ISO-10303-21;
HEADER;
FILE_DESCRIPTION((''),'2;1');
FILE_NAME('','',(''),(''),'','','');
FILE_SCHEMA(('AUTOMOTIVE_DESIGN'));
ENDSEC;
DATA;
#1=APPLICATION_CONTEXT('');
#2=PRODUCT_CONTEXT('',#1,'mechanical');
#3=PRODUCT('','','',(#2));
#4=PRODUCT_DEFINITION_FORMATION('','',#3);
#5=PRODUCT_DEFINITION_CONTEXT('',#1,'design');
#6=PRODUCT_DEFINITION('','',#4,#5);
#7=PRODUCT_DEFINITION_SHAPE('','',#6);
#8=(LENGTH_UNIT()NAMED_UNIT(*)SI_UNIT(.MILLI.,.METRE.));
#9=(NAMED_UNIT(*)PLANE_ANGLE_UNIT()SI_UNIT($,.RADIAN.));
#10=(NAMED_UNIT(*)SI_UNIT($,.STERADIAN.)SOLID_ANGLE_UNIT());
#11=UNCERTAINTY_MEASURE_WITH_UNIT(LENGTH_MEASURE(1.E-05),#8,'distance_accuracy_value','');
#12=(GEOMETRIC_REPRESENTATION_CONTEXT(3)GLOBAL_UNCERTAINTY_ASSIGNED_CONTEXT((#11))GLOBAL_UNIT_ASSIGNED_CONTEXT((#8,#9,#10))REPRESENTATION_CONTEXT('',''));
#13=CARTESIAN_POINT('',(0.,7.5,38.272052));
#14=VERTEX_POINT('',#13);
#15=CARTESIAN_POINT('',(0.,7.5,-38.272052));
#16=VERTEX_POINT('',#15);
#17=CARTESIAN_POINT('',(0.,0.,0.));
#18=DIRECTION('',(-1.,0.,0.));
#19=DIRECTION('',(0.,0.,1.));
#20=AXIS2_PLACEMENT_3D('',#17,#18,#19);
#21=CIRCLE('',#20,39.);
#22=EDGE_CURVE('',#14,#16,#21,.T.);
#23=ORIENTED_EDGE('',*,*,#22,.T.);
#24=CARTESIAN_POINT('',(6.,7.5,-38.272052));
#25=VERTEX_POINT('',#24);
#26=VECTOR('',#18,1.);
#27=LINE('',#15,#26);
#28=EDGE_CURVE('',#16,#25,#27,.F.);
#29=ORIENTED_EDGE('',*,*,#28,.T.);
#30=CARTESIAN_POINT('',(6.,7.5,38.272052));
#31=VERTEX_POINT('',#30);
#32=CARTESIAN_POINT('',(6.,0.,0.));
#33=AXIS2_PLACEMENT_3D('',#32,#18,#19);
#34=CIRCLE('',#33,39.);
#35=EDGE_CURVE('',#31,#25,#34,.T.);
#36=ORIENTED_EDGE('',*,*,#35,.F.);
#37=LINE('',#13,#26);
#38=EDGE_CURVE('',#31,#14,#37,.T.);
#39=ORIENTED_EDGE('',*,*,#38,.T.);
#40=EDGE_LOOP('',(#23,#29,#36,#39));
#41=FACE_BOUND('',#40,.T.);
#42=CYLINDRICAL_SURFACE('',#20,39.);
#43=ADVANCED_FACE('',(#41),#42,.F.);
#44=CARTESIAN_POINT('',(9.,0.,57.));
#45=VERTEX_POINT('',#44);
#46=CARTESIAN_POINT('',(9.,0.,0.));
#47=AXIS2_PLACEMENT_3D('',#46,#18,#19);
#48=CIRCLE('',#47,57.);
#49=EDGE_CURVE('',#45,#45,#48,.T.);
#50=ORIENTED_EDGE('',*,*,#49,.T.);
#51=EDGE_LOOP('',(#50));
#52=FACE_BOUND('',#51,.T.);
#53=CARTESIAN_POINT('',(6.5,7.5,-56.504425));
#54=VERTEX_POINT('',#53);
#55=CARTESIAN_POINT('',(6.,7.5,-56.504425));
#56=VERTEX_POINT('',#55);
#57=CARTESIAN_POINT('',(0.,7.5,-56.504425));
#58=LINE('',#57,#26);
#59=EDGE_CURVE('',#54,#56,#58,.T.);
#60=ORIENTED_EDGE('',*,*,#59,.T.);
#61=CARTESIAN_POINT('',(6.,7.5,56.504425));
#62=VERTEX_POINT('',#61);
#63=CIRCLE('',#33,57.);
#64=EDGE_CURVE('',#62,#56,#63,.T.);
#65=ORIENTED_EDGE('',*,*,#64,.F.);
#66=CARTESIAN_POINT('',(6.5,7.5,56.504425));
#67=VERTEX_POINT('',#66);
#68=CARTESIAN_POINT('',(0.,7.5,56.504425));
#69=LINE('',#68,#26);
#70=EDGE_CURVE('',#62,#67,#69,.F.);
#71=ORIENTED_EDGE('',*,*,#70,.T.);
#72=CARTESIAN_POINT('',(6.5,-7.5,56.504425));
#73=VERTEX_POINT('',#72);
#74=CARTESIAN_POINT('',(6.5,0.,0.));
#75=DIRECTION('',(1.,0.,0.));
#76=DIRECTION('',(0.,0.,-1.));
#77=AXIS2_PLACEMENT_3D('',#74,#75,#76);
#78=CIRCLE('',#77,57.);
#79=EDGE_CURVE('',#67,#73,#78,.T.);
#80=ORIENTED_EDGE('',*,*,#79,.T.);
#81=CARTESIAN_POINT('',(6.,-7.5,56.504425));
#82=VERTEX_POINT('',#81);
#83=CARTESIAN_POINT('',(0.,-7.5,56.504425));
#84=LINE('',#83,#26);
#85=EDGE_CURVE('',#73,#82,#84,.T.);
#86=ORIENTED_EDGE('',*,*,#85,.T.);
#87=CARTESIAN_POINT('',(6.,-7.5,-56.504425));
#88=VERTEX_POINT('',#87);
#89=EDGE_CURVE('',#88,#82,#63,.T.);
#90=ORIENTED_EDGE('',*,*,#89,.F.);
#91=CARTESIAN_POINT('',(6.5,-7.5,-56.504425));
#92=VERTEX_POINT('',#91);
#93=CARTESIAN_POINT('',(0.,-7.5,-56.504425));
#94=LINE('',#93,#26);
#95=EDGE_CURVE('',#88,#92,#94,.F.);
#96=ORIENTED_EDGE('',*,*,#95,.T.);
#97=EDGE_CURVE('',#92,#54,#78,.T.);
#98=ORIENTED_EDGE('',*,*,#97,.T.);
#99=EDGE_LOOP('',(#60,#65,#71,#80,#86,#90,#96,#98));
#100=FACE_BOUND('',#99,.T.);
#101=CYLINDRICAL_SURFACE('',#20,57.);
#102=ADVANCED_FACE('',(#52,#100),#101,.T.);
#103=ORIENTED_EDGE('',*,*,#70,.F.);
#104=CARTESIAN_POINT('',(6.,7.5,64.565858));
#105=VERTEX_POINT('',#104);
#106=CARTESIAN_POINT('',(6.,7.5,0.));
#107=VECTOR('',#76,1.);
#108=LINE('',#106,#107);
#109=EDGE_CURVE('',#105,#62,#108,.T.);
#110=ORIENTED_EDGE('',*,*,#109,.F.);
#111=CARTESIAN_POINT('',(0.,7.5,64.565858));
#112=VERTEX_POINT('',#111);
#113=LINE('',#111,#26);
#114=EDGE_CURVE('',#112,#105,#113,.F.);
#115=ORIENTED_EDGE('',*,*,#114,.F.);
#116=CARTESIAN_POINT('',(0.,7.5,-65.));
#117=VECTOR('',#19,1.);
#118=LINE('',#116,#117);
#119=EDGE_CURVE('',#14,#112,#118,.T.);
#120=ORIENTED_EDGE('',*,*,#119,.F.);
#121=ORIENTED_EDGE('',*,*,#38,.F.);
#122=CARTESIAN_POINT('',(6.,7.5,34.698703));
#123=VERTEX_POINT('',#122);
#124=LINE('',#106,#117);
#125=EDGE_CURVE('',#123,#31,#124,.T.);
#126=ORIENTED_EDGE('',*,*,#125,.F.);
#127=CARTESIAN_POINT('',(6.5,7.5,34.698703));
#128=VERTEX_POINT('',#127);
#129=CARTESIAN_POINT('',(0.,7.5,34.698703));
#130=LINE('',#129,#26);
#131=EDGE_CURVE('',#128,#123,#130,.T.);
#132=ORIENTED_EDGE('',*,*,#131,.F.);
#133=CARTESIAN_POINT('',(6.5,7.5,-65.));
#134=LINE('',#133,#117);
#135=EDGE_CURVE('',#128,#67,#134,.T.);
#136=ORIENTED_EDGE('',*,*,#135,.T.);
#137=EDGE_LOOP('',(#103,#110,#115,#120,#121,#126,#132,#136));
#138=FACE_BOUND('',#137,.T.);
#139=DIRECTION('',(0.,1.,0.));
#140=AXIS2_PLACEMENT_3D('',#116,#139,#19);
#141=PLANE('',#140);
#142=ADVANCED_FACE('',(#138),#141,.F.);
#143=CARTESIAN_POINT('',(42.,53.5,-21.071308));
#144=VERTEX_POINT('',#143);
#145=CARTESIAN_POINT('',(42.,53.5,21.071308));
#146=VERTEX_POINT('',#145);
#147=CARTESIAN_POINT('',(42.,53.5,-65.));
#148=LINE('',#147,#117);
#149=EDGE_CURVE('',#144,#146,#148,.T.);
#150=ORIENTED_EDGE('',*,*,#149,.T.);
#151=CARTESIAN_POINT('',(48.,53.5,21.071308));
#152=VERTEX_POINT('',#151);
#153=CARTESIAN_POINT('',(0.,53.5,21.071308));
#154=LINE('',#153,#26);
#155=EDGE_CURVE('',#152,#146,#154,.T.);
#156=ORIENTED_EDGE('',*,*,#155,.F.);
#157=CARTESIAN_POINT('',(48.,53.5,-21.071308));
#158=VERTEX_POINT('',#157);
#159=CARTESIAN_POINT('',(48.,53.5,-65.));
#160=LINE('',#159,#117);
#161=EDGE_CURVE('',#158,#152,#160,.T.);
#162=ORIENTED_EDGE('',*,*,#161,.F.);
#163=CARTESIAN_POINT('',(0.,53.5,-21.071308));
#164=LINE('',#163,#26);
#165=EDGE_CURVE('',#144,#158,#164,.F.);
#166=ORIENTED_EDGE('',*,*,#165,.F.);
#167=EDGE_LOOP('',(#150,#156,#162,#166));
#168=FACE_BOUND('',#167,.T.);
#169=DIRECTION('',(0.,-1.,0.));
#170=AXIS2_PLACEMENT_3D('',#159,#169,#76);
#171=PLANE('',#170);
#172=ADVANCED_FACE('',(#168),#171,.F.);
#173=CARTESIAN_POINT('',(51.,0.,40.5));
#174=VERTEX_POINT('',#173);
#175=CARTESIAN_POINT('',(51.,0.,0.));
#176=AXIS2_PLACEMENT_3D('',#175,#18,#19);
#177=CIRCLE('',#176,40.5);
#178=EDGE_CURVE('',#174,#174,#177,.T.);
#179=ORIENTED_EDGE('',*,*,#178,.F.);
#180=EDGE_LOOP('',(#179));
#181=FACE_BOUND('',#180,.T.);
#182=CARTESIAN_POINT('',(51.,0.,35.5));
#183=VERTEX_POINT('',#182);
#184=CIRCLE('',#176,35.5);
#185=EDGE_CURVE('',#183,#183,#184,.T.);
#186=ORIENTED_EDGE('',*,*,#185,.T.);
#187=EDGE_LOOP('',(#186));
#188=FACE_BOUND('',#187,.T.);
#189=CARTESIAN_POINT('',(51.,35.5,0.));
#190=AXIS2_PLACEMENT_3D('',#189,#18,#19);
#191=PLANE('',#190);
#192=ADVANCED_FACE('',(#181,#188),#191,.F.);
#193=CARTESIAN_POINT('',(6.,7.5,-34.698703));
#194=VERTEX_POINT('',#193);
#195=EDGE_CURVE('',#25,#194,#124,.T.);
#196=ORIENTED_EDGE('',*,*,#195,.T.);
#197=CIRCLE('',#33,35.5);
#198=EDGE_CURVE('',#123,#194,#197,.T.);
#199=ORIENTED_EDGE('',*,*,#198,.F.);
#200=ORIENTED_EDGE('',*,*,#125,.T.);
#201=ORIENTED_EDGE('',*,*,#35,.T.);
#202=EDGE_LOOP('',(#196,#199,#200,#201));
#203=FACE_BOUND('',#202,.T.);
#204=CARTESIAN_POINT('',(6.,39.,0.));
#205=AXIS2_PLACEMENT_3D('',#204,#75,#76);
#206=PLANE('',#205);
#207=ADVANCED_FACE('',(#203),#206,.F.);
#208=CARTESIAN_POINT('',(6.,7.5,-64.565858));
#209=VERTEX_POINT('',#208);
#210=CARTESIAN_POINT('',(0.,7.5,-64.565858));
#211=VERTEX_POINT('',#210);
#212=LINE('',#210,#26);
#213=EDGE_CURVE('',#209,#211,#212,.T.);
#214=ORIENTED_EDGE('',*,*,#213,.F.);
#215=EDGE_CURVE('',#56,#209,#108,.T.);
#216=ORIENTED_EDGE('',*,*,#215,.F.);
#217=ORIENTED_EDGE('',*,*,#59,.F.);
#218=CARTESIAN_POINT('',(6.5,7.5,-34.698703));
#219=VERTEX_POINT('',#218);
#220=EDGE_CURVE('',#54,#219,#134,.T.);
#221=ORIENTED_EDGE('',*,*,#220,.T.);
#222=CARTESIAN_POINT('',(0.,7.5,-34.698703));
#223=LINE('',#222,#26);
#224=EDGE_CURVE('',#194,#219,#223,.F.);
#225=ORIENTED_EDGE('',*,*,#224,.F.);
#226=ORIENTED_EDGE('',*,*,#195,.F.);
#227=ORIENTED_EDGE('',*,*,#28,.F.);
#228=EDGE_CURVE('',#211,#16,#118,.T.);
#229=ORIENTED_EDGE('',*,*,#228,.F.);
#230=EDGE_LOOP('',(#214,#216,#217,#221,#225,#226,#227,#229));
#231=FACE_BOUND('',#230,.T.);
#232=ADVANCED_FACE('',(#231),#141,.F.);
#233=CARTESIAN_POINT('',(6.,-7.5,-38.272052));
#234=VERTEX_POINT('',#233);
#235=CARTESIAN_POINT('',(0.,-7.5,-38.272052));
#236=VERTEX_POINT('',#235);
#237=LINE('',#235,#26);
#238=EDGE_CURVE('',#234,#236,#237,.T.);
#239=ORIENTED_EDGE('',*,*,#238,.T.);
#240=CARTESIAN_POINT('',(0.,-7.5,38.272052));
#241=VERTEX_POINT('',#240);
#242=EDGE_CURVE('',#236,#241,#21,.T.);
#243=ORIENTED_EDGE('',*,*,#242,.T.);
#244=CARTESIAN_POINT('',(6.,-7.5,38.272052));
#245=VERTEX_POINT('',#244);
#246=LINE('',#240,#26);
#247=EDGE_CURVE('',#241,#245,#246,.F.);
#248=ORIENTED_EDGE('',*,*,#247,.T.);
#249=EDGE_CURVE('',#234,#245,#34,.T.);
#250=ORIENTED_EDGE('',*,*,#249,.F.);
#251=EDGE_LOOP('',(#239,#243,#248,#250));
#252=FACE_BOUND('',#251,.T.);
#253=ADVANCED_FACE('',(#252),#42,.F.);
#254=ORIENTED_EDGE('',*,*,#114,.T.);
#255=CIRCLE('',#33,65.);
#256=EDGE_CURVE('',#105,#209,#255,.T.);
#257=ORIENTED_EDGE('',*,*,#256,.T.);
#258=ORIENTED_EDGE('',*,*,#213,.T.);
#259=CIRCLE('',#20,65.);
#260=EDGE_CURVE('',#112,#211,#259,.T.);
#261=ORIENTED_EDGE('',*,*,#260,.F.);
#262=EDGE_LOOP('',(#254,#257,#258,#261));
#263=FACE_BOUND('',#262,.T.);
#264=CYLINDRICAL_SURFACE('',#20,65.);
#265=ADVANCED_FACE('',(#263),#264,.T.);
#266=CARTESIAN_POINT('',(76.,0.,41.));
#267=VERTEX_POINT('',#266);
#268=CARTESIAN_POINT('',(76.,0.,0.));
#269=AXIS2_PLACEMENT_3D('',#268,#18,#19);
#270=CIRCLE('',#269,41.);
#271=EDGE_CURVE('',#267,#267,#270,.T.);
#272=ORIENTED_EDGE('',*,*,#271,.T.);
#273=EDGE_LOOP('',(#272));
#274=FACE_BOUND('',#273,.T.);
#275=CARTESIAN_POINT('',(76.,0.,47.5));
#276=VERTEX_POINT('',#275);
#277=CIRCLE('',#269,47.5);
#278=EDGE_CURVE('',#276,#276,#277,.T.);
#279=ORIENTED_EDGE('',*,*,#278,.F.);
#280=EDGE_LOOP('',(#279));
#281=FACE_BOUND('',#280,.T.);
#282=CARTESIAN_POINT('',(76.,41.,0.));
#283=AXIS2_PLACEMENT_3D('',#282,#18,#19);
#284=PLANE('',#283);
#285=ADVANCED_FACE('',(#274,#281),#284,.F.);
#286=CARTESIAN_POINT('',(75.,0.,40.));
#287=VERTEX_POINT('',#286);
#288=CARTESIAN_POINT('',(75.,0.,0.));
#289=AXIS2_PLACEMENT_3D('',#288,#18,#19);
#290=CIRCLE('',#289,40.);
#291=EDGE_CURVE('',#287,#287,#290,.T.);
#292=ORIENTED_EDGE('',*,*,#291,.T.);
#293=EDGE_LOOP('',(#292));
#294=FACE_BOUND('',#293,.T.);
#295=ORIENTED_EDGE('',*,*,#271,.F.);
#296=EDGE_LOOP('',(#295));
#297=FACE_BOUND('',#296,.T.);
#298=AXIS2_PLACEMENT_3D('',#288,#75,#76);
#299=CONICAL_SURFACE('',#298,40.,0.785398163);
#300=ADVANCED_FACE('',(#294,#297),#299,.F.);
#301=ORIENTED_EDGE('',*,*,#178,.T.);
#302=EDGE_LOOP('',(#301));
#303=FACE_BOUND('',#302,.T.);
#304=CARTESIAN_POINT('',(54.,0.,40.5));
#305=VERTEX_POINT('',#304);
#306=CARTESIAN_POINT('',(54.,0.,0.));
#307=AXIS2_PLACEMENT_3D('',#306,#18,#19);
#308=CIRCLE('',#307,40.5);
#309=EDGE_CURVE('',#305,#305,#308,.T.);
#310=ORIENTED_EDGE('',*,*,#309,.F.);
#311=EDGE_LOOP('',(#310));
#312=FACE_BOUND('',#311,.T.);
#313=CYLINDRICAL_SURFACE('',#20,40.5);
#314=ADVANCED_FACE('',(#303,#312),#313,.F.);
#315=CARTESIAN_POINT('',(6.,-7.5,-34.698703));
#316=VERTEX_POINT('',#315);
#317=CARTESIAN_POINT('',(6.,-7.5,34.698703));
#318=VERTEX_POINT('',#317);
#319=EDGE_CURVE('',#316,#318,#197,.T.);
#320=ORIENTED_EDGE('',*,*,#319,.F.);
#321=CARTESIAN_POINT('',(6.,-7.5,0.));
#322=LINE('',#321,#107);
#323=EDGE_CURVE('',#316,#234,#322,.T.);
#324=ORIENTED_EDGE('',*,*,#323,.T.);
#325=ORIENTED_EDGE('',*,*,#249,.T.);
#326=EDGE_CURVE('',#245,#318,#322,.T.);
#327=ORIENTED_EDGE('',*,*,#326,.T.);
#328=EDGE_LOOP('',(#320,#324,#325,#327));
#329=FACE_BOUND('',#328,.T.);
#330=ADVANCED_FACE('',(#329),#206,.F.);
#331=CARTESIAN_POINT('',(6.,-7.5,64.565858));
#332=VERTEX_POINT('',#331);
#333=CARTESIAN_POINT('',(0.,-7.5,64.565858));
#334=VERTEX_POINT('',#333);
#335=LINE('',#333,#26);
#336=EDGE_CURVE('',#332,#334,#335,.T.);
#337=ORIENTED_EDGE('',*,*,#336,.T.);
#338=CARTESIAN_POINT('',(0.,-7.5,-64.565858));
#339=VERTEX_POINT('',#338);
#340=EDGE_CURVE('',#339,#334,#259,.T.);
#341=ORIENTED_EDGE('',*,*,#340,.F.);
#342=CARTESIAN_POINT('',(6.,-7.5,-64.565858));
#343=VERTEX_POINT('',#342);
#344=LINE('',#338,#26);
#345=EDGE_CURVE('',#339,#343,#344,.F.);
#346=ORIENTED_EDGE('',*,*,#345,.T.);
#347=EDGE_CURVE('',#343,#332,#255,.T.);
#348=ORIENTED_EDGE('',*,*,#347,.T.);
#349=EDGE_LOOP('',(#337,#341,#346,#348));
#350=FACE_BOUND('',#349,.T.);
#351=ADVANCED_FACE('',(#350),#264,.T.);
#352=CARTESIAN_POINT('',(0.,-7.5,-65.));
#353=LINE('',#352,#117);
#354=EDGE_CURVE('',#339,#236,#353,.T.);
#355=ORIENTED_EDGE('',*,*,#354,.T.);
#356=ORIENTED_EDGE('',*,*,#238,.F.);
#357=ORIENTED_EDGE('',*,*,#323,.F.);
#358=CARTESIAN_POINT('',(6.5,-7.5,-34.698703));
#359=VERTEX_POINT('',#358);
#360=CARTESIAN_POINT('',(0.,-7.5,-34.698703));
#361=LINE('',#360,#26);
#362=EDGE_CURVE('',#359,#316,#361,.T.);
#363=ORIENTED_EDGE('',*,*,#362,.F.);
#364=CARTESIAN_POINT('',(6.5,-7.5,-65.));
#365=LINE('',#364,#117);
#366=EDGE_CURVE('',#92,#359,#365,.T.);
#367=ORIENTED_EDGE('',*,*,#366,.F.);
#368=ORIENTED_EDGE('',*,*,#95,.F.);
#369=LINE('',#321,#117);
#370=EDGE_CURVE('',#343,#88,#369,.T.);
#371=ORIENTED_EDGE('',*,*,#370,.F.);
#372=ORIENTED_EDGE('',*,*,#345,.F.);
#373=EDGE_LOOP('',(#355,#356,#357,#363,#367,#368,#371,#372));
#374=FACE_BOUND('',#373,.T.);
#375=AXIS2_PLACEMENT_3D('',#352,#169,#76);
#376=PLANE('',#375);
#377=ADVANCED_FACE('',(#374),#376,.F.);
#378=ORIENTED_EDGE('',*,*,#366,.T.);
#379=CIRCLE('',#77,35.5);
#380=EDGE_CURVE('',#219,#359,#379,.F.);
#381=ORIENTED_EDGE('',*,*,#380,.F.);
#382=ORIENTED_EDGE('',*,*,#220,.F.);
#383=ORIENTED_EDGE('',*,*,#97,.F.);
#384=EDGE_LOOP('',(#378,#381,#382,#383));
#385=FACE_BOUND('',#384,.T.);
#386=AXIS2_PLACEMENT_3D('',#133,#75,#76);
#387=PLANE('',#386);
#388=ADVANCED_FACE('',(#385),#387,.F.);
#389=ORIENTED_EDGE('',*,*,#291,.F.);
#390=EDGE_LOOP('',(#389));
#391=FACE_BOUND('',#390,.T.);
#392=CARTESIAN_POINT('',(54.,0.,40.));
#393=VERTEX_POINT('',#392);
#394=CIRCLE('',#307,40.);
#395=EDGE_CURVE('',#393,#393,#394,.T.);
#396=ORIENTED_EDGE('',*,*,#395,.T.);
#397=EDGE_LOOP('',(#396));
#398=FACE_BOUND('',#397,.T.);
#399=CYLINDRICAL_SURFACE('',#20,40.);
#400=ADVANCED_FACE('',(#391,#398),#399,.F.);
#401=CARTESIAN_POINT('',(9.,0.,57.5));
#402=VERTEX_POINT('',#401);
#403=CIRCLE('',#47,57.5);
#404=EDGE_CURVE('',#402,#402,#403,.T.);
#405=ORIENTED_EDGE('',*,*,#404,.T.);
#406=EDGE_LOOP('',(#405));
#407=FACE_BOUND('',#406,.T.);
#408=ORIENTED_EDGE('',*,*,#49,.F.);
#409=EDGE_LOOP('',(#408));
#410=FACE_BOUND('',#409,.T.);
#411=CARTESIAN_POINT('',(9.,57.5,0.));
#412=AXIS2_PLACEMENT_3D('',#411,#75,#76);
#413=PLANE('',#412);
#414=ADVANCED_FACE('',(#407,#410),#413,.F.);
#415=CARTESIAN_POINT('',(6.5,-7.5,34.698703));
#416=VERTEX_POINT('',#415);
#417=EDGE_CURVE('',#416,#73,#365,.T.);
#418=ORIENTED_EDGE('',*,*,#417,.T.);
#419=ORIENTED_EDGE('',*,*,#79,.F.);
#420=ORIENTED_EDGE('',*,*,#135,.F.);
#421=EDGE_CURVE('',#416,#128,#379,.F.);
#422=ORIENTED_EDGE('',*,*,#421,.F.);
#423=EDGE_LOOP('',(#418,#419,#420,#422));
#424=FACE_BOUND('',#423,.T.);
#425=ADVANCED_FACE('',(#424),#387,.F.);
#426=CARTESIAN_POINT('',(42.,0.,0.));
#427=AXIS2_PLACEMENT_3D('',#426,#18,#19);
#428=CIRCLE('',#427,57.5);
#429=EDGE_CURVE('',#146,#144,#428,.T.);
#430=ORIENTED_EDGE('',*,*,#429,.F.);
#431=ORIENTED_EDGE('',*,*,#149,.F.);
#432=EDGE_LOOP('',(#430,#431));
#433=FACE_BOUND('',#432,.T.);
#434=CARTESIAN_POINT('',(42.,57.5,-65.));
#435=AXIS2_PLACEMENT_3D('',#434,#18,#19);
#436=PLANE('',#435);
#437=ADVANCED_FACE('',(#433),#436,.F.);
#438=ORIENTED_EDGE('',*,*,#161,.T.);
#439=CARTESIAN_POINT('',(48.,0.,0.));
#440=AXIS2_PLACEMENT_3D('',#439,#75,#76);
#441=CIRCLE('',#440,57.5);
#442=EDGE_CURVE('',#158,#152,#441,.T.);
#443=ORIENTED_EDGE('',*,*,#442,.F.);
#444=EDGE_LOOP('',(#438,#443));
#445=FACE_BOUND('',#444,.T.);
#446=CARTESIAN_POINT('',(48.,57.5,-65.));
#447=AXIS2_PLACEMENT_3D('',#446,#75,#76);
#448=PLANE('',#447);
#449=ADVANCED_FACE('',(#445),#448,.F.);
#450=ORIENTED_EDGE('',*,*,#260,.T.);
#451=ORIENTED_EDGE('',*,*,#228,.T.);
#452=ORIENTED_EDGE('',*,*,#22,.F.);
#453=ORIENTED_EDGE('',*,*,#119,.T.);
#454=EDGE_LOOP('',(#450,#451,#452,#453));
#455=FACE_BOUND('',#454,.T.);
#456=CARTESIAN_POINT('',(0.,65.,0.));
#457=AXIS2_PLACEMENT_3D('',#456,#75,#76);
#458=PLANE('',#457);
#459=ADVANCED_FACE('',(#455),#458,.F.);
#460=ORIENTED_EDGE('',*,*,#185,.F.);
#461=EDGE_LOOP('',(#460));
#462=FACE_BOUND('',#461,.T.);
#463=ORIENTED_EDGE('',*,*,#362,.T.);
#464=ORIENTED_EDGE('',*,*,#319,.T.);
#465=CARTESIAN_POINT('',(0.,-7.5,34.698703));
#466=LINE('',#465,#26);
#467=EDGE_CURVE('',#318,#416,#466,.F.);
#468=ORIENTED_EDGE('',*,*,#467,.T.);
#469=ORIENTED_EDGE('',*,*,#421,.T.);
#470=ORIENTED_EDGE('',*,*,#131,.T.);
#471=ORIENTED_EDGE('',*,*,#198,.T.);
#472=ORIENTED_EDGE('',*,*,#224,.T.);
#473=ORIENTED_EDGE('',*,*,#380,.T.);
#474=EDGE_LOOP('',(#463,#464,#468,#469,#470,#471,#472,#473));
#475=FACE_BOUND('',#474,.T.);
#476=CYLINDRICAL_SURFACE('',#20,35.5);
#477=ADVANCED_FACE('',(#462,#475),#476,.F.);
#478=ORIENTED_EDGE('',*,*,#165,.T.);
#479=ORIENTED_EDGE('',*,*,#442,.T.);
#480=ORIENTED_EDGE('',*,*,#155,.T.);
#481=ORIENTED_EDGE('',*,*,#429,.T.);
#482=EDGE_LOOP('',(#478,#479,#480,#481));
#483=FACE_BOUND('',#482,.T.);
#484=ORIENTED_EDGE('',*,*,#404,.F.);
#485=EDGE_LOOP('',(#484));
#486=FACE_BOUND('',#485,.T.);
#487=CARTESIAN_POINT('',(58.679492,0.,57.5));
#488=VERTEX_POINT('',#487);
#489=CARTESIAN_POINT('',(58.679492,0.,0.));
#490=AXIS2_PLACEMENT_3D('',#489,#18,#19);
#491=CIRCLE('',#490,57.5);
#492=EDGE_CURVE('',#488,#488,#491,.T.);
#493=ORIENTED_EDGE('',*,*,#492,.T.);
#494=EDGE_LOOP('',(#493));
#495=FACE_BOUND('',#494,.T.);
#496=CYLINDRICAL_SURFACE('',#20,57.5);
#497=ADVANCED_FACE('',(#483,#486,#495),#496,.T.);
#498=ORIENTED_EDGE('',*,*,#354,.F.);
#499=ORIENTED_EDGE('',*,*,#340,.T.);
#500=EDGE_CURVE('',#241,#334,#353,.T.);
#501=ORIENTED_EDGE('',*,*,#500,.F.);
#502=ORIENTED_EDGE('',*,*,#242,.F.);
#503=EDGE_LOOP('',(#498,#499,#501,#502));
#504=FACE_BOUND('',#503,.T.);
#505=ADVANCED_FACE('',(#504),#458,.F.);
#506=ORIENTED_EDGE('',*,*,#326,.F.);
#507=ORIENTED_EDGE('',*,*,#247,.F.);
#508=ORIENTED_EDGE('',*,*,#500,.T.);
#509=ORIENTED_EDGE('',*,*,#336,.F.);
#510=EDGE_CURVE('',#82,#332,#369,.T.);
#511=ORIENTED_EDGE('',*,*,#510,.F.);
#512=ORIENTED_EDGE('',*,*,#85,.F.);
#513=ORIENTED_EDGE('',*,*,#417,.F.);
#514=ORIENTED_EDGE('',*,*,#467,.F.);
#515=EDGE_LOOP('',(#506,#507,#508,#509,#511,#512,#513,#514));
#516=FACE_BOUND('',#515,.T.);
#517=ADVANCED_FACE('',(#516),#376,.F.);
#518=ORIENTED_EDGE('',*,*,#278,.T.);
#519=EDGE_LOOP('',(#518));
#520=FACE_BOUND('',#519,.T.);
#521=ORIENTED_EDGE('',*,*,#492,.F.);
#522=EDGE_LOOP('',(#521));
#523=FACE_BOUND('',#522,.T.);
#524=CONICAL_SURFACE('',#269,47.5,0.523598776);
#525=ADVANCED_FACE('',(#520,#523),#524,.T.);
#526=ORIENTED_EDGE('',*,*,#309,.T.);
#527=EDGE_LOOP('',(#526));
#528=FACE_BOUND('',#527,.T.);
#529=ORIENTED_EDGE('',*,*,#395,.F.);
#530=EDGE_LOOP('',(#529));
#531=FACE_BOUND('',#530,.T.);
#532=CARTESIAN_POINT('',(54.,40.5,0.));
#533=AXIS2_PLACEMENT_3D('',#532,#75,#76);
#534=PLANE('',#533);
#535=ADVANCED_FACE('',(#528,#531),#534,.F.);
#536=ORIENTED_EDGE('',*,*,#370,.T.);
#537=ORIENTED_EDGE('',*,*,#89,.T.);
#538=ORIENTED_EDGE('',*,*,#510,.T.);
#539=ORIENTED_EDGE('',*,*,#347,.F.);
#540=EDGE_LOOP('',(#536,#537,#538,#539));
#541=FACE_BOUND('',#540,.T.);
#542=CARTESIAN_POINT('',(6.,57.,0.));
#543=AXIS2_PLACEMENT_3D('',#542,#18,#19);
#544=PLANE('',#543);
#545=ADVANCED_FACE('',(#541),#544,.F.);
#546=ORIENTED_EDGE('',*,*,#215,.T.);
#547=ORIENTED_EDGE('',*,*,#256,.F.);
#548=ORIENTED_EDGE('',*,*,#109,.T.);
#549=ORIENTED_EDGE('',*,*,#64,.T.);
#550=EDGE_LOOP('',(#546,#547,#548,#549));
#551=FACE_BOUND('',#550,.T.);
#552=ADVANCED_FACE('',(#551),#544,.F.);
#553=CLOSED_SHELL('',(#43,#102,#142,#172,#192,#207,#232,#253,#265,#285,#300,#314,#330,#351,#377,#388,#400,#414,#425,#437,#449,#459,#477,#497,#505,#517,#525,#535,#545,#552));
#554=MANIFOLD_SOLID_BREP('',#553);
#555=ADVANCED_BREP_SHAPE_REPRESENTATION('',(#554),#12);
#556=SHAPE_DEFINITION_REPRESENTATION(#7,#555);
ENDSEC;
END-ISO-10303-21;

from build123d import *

# Parameters (mm, degrees)
CUT_EXTRUDE_1_DEPTH      = 120.272796563
CUT_EXTRUDE_1_DEPTH_BACK = 120.272796563
SKETCH_2_W               = 6
SKETCH_2_H               = 4
SKETCH_2_W_2             = 6.5
SKETCH_2_H_2             = 15


with BuildPart() as part:
    # Эскиз1 → Повернуть1 (revolve)
    with BuildSketch(Plane.XY, mode=Mode.PRIVATE) as revolve_1_sk:
        Polygon((0, 39), (6, 39), (6, 35.5), (51, 35.5), (51, 40.5), (54, 40.5), (54, 40), (75, 40), (76, 41), (76, 47.5), (58.679491924, 57.5), (9, 57.5), (9, 57), (6, 57), (6, 65), (0, 65), align=None)
    revolve(revolve_1_sk.sketch.rotate(Axis((0, 0, 0), (1, 0, 0)), 90), axis=Axis((0, 0, 0), (1, 0, 0)))

    # Эскиз2 → Вырез-Вытянуть1 (cut, two sides: drawn at the far end of the back side and taken through both)
    with BuildSketch(Plane.XY.offset(-CUT_EXTRUDE_1_DEPTH_BACK)):
        with Locations((45, 55.5)):
            Rectangle(SKETCH_2_W, SKETCH_2_H)
        with Locations((3.25, 0)):
            Rectangle(SKETCH_2_W_2, SKETCH_2_H_2)
    extrude(amount=CUT_EXTRUDE_1_DEPTH + CUT_EXTRUDE_1_DEPTH_BACK, mode=Mode.SUBTRACT)


solid = part.part
